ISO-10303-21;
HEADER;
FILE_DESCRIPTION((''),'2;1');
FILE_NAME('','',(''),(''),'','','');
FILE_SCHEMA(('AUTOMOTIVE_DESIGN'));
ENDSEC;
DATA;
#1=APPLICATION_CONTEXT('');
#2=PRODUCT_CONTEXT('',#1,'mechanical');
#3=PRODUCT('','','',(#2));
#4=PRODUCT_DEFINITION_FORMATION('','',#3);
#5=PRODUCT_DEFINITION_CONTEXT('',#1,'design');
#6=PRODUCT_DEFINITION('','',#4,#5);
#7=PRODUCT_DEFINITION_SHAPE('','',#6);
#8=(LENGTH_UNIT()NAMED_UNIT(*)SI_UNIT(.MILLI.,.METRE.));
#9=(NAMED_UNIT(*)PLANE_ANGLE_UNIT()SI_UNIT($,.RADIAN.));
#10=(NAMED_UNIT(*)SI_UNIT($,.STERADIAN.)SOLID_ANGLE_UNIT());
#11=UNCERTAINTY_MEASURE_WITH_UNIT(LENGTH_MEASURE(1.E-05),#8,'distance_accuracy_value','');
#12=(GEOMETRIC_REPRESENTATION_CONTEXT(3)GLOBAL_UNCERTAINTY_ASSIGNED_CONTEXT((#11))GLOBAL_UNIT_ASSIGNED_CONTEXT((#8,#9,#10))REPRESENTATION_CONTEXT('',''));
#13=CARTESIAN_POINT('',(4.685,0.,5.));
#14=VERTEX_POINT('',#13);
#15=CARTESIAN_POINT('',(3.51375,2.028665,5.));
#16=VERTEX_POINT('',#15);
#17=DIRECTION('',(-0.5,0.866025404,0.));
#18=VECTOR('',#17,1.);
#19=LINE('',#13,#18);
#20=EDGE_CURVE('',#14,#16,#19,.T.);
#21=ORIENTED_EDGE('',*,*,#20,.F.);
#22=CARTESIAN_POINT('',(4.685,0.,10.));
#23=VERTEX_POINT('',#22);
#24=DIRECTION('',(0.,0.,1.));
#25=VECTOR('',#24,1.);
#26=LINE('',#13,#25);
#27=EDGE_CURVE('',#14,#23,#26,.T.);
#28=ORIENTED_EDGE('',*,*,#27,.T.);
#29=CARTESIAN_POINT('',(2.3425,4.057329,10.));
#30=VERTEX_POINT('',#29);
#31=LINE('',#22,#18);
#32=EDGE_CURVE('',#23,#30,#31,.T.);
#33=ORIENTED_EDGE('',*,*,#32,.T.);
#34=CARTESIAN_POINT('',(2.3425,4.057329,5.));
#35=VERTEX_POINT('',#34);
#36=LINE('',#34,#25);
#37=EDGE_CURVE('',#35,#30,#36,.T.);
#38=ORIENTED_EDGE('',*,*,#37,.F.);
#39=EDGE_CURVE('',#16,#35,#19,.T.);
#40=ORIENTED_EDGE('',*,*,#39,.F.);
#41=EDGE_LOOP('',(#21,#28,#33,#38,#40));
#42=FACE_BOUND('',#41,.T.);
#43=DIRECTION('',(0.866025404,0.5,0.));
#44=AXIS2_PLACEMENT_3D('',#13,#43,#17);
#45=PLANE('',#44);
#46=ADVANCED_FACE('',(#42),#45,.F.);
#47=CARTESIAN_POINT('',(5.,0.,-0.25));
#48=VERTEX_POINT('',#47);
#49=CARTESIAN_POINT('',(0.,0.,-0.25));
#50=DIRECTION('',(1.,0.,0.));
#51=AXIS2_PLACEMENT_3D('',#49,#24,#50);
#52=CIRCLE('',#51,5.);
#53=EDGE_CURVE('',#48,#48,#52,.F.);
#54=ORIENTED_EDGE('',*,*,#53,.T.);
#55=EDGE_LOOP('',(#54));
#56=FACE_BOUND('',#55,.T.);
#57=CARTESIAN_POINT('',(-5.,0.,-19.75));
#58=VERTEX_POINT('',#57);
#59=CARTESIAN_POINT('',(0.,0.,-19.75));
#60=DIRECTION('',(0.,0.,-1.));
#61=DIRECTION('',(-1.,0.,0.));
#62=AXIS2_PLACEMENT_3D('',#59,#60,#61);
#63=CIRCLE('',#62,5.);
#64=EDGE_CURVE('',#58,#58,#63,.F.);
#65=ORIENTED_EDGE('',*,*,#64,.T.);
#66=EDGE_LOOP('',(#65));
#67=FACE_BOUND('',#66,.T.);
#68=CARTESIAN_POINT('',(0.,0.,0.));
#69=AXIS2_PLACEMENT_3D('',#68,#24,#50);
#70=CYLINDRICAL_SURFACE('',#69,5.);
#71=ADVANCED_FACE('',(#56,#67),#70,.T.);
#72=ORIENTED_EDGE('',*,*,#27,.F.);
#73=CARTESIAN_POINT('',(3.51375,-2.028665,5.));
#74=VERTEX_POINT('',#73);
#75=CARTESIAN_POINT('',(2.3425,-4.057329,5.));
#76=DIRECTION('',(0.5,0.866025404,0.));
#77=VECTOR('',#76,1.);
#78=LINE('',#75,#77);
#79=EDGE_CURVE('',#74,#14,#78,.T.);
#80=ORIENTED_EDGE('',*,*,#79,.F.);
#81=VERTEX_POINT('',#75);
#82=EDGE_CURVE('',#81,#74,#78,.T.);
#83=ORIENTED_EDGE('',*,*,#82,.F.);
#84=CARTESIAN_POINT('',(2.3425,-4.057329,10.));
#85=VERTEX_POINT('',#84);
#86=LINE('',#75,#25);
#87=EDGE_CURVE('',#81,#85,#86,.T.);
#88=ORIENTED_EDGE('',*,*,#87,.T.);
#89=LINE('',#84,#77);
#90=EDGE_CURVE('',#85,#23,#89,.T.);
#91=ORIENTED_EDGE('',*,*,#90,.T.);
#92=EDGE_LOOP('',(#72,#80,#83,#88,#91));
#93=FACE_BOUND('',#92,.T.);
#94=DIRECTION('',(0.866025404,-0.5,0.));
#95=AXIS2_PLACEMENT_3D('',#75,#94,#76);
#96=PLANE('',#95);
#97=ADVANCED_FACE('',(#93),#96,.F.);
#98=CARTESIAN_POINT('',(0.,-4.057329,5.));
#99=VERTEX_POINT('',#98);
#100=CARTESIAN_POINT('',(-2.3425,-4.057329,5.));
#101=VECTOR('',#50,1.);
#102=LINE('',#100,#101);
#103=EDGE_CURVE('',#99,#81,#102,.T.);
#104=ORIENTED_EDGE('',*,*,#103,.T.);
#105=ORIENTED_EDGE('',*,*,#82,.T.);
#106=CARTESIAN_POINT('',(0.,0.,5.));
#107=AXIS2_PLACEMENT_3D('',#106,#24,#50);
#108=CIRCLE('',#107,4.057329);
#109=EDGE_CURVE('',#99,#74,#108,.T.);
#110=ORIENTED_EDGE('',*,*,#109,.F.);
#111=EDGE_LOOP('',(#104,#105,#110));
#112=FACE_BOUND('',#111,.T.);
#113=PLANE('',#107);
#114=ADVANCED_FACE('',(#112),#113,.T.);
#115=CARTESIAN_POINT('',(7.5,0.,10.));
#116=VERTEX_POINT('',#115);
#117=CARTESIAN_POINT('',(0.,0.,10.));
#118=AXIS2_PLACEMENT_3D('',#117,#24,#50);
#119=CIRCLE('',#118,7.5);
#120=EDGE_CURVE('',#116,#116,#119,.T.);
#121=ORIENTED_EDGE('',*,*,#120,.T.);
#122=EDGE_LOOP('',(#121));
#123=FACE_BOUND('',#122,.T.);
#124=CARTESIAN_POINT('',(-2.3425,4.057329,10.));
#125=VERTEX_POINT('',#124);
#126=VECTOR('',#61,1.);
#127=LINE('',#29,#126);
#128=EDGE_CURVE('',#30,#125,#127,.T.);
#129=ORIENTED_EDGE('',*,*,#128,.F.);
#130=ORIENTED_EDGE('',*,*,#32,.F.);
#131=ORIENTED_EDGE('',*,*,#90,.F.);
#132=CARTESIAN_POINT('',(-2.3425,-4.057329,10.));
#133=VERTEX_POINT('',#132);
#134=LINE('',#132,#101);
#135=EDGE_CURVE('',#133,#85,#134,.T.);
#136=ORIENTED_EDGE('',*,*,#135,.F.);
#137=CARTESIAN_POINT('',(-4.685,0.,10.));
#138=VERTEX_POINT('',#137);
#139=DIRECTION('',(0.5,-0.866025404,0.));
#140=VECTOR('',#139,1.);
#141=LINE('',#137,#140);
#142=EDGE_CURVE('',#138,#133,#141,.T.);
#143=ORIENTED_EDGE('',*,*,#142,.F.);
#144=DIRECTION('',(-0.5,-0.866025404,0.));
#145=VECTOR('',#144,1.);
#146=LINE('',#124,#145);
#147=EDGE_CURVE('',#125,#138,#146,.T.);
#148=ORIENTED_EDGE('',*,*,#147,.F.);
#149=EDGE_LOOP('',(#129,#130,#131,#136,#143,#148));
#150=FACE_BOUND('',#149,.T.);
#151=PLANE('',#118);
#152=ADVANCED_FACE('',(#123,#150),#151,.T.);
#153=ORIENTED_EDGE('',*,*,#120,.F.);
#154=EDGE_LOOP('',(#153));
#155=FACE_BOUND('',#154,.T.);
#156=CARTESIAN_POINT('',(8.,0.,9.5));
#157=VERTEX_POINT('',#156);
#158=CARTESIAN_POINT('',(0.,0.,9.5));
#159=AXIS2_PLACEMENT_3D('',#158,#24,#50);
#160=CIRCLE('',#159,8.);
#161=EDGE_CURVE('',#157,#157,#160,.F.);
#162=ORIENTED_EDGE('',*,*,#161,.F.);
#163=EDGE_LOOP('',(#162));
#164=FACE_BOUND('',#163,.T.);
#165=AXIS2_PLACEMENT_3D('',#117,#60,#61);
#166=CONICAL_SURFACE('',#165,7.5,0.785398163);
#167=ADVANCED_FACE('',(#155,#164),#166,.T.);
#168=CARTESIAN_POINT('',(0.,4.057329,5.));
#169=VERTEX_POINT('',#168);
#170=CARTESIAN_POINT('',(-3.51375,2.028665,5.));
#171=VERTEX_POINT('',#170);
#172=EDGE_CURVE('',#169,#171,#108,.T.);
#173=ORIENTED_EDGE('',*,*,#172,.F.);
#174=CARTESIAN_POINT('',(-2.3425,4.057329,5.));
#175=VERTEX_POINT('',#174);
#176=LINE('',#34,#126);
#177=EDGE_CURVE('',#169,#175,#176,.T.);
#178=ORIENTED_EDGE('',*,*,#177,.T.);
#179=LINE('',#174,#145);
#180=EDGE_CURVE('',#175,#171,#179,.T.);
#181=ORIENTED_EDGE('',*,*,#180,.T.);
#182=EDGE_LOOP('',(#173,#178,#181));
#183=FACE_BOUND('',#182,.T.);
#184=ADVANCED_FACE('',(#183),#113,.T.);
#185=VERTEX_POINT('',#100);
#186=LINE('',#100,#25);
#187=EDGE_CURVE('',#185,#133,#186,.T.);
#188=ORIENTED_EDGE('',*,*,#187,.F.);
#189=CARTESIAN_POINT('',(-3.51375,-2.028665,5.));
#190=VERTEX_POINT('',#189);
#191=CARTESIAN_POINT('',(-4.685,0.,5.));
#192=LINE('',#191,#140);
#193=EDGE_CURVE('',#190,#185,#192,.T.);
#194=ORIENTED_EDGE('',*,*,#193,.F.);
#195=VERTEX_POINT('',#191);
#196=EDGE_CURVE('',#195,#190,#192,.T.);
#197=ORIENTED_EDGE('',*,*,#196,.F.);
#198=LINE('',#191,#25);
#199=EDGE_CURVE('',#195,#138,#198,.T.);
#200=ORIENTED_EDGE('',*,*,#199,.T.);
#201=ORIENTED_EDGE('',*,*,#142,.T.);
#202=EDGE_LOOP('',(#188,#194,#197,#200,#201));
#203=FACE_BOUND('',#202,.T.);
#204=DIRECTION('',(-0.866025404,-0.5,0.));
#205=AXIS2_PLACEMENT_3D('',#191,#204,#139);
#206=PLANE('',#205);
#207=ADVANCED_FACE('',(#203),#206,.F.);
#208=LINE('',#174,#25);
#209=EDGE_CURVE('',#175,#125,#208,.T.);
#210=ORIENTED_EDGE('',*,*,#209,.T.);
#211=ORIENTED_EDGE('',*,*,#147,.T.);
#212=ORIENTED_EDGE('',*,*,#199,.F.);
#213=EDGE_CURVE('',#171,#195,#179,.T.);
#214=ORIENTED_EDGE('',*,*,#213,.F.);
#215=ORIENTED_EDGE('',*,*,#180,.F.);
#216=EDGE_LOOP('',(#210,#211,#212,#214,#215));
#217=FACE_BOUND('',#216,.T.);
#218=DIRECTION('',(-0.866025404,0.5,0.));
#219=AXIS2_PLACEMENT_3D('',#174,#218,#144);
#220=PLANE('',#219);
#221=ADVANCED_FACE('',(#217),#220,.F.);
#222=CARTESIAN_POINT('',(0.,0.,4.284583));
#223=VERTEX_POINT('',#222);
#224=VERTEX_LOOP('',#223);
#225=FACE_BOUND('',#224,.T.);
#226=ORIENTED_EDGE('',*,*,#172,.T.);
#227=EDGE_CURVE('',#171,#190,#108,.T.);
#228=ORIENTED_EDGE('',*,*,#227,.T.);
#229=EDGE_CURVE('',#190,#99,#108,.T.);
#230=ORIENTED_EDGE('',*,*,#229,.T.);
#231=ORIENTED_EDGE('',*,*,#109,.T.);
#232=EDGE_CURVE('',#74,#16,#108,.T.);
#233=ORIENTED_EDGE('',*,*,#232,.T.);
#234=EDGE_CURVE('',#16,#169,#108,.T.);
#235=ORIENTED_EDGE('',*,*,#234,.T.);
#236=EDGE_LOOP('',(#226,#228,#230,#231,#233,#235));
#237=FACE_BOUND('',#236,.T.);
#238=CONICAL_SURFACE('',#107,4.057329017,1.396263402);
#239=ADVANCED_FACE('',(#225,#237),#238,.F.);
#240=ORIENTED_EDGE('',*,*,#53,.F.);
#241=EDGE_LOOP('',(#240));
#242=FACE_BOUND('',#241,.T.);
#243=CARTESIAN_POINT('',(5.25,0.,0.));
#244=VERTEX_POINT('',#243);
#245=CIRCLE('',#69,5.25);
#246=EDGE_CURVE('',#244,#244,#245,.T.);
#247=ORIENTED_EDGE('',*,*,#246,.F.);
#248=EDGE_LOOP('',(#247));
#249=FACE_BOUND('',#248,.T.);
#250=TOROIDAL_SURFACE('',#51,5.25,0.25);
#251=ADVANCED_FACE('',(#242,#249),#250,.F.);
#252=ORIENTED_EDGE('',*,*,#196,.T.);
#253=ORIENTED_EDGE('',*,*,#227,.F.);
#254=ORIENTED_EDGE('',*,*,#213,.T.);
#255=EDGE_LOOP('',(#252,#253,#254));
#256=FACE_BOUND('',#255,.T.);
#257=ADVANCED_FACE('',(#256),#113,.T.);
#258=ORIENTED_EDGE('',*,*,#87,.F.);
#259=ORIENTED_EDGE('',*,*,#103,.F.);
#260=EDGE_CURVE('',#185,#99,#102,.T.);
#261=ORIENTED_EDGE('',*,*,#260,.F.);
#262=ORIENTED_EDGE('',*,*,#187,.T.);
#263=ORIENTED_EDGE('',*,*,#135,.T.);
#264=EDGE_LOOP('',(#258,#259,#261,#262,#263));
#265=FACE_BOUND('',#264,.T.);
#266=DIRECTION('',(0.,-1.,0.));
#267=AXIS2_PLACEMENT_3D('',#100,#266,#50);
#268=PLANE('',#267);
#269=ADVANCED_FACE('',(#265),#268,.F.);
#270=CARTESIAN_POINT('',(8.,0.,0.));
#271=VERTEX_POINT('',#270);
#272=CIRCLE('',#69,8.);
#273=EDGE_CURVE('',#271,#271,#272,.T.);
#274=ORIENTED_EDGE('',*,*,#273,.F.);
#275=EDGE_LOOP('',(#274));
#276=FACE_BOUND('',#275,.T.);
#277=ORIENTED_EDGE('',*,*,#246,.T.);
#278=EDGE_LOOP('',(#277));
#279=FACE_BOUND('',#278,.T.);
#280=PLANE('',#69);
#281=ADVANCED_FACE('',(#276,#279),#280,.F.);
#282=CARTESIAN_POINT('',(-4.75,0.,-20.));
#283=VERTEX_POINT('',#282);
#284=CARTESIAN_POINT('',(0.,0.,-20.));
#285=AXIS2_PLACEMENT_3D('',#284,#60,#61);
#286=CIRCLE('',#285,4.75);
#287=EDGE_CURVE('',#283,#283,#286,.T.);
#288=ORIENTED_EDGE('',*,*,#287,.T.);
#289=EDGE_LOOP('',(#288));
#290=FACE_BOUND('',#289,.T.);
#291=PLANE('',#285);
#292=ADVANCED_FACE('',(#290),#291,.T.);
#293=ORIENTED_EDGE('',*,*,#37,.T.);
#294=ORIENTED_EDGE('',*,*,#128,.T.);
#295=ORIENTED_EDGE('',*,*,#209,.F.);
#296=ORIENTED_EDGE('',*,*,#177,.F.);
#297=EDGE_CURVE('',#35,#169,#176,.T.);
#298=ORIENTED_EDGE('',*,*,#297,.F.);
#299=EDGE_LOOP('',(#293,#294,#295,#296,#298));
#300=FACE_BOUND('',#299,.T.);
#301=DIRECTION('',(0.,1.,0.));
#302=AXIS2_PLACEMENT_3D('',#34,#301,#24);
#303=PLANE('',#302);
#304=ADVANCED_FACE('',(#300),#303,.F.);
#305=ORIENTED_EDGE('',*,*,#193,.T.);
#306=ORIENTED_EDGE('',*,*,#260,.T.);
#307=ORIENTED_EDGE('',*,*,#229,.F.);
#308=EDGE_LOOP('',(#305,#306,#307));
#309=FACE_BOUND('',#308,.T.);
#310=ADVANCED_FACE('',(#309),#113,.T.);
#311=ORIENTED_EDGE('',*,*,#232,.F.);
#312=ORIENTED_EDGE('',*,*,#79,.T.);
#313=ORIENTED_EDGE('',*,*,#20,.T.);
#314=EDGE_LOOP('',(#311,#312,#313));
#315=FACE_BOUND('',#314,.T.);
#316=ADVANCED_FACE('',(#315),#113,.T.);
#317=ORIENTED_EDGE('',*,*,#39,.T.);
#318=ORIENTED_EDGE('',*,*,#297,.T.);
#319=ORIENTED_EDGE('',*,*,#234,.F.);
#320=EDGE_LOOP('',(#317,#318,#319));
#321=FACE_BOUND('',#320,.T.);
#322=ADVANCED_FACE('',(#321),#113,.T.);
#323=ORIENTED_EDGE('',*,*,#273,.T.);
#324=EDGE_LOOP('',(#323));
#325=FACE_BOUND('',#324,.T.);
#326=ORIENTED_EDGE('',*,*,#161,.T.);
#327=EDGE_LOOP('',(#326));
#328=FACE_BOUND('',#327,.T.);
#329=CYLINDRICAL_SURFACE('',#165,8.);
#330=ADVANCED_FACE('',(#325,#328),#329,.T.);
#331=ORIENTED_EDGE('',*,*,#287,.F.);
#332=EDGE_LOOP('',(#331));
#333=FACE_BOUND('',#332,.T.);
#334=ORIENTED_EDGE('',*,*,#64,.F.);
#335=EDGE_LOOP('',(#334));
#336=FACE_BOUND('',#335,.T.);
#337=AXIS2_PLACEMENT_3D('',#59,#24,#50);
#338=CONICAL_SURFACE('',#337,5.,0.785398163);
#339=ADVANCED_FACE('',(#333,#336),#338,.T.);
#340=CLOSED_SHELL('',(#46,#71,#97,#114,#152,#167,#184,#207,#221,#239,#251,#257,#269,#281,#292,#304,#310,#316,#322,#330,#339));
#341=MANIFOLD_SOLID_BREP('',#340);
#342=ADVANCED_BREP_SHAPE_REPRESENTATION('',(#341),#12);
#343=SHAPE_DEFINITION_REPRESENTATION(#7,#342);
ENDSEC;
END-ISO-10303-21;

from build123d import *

# Parameters (mm, degrees)
IZIM1_R                = 8
KAFA_YUKSEKLIGI_DEPTH  = 10
PAH1_SIZE              = 0.5
ALTIGEN_BOSALTMA_DEPTH = 5
IZIM5_W                = 5
IZIM5_H                = 20
RADYUS1_R              = 0.25
PAH2_SIZE              = 0.25


with BuildPart() as part:
    # Çizim1 → KAFA_YUKSEKLIGI (new body)
    with BuildSketch(Plane.XY):
        Circle(IZIM1_R)
    extrude(amount=KAFA_YUKSEKLIGI_DEPTH)

    # Pah1
    pah1_edges = [part.edges().sort_by_distance(p)[0] for p in [
        (-8, 0, 10),
    ]]
    chamfer(pah1_edges, length=PAH1_SIZE)

    # Çizim2 → ALTIGEN_BOSALTMA (cut)
    with BuildSketch(Plane.XY.offset(10)):
        Polygon((-4.685, 0), (-2.3425, -4.057329017), (2.3425, -4.057329017), (4.685, 0), (2.3425, 4.057329017), (-2.3425, 4.057329017), align=None)
    extrude(amount=-ALTIGEN_BOSALTMA_DEPTH, mode=Mode.SUBTRACT)

    # Kes-Ekstrüzyon2 cone 1 section (through the dimple's axis) → Kes-Ekstrüzyon2 (revolve, cut)
    with BuildSketch(Plane(origin=(0, 0, 5), x_dir=(0, -1, 0), z_dir=(1, 0, 0))):
        Polygon((0, 0), (4.057329017, 0), (0, 0.715416575), align=None)
    revolve(axis=Axis((0, 0, 5), (0, 0, -1)), mode=Mode.SUBTRACT)

    # Çizim5 → Döndür1 (revolve)
    with BuildSketch(Plane(origin=(0, 0, 0), x_dir=(1, 0, 0), z_dir=(0, 1, 0))):
        with Locations((2.5, 10)):
            Rectangle(IZIM5_W, IZIM5_H)
    revolve(axis=Axis((0, 0, 0), (0, 0, -1)))

    # Radyus1
    radyus1_edges = [part.edges().sort_by_distance(p)[0] for p in [
        (-5, 0, 0),
    ]]
    fillet(radyus1_edges, radius=RADYUS1_R)

    # Pah2
    pah2_edges = [part.edges().sort_by_distance(p)[0] for p in [
        (-5, 0, -20),
    ]]
    chamfer(pah2_edges, length=PAH2_SIZE)


solid = part.part
